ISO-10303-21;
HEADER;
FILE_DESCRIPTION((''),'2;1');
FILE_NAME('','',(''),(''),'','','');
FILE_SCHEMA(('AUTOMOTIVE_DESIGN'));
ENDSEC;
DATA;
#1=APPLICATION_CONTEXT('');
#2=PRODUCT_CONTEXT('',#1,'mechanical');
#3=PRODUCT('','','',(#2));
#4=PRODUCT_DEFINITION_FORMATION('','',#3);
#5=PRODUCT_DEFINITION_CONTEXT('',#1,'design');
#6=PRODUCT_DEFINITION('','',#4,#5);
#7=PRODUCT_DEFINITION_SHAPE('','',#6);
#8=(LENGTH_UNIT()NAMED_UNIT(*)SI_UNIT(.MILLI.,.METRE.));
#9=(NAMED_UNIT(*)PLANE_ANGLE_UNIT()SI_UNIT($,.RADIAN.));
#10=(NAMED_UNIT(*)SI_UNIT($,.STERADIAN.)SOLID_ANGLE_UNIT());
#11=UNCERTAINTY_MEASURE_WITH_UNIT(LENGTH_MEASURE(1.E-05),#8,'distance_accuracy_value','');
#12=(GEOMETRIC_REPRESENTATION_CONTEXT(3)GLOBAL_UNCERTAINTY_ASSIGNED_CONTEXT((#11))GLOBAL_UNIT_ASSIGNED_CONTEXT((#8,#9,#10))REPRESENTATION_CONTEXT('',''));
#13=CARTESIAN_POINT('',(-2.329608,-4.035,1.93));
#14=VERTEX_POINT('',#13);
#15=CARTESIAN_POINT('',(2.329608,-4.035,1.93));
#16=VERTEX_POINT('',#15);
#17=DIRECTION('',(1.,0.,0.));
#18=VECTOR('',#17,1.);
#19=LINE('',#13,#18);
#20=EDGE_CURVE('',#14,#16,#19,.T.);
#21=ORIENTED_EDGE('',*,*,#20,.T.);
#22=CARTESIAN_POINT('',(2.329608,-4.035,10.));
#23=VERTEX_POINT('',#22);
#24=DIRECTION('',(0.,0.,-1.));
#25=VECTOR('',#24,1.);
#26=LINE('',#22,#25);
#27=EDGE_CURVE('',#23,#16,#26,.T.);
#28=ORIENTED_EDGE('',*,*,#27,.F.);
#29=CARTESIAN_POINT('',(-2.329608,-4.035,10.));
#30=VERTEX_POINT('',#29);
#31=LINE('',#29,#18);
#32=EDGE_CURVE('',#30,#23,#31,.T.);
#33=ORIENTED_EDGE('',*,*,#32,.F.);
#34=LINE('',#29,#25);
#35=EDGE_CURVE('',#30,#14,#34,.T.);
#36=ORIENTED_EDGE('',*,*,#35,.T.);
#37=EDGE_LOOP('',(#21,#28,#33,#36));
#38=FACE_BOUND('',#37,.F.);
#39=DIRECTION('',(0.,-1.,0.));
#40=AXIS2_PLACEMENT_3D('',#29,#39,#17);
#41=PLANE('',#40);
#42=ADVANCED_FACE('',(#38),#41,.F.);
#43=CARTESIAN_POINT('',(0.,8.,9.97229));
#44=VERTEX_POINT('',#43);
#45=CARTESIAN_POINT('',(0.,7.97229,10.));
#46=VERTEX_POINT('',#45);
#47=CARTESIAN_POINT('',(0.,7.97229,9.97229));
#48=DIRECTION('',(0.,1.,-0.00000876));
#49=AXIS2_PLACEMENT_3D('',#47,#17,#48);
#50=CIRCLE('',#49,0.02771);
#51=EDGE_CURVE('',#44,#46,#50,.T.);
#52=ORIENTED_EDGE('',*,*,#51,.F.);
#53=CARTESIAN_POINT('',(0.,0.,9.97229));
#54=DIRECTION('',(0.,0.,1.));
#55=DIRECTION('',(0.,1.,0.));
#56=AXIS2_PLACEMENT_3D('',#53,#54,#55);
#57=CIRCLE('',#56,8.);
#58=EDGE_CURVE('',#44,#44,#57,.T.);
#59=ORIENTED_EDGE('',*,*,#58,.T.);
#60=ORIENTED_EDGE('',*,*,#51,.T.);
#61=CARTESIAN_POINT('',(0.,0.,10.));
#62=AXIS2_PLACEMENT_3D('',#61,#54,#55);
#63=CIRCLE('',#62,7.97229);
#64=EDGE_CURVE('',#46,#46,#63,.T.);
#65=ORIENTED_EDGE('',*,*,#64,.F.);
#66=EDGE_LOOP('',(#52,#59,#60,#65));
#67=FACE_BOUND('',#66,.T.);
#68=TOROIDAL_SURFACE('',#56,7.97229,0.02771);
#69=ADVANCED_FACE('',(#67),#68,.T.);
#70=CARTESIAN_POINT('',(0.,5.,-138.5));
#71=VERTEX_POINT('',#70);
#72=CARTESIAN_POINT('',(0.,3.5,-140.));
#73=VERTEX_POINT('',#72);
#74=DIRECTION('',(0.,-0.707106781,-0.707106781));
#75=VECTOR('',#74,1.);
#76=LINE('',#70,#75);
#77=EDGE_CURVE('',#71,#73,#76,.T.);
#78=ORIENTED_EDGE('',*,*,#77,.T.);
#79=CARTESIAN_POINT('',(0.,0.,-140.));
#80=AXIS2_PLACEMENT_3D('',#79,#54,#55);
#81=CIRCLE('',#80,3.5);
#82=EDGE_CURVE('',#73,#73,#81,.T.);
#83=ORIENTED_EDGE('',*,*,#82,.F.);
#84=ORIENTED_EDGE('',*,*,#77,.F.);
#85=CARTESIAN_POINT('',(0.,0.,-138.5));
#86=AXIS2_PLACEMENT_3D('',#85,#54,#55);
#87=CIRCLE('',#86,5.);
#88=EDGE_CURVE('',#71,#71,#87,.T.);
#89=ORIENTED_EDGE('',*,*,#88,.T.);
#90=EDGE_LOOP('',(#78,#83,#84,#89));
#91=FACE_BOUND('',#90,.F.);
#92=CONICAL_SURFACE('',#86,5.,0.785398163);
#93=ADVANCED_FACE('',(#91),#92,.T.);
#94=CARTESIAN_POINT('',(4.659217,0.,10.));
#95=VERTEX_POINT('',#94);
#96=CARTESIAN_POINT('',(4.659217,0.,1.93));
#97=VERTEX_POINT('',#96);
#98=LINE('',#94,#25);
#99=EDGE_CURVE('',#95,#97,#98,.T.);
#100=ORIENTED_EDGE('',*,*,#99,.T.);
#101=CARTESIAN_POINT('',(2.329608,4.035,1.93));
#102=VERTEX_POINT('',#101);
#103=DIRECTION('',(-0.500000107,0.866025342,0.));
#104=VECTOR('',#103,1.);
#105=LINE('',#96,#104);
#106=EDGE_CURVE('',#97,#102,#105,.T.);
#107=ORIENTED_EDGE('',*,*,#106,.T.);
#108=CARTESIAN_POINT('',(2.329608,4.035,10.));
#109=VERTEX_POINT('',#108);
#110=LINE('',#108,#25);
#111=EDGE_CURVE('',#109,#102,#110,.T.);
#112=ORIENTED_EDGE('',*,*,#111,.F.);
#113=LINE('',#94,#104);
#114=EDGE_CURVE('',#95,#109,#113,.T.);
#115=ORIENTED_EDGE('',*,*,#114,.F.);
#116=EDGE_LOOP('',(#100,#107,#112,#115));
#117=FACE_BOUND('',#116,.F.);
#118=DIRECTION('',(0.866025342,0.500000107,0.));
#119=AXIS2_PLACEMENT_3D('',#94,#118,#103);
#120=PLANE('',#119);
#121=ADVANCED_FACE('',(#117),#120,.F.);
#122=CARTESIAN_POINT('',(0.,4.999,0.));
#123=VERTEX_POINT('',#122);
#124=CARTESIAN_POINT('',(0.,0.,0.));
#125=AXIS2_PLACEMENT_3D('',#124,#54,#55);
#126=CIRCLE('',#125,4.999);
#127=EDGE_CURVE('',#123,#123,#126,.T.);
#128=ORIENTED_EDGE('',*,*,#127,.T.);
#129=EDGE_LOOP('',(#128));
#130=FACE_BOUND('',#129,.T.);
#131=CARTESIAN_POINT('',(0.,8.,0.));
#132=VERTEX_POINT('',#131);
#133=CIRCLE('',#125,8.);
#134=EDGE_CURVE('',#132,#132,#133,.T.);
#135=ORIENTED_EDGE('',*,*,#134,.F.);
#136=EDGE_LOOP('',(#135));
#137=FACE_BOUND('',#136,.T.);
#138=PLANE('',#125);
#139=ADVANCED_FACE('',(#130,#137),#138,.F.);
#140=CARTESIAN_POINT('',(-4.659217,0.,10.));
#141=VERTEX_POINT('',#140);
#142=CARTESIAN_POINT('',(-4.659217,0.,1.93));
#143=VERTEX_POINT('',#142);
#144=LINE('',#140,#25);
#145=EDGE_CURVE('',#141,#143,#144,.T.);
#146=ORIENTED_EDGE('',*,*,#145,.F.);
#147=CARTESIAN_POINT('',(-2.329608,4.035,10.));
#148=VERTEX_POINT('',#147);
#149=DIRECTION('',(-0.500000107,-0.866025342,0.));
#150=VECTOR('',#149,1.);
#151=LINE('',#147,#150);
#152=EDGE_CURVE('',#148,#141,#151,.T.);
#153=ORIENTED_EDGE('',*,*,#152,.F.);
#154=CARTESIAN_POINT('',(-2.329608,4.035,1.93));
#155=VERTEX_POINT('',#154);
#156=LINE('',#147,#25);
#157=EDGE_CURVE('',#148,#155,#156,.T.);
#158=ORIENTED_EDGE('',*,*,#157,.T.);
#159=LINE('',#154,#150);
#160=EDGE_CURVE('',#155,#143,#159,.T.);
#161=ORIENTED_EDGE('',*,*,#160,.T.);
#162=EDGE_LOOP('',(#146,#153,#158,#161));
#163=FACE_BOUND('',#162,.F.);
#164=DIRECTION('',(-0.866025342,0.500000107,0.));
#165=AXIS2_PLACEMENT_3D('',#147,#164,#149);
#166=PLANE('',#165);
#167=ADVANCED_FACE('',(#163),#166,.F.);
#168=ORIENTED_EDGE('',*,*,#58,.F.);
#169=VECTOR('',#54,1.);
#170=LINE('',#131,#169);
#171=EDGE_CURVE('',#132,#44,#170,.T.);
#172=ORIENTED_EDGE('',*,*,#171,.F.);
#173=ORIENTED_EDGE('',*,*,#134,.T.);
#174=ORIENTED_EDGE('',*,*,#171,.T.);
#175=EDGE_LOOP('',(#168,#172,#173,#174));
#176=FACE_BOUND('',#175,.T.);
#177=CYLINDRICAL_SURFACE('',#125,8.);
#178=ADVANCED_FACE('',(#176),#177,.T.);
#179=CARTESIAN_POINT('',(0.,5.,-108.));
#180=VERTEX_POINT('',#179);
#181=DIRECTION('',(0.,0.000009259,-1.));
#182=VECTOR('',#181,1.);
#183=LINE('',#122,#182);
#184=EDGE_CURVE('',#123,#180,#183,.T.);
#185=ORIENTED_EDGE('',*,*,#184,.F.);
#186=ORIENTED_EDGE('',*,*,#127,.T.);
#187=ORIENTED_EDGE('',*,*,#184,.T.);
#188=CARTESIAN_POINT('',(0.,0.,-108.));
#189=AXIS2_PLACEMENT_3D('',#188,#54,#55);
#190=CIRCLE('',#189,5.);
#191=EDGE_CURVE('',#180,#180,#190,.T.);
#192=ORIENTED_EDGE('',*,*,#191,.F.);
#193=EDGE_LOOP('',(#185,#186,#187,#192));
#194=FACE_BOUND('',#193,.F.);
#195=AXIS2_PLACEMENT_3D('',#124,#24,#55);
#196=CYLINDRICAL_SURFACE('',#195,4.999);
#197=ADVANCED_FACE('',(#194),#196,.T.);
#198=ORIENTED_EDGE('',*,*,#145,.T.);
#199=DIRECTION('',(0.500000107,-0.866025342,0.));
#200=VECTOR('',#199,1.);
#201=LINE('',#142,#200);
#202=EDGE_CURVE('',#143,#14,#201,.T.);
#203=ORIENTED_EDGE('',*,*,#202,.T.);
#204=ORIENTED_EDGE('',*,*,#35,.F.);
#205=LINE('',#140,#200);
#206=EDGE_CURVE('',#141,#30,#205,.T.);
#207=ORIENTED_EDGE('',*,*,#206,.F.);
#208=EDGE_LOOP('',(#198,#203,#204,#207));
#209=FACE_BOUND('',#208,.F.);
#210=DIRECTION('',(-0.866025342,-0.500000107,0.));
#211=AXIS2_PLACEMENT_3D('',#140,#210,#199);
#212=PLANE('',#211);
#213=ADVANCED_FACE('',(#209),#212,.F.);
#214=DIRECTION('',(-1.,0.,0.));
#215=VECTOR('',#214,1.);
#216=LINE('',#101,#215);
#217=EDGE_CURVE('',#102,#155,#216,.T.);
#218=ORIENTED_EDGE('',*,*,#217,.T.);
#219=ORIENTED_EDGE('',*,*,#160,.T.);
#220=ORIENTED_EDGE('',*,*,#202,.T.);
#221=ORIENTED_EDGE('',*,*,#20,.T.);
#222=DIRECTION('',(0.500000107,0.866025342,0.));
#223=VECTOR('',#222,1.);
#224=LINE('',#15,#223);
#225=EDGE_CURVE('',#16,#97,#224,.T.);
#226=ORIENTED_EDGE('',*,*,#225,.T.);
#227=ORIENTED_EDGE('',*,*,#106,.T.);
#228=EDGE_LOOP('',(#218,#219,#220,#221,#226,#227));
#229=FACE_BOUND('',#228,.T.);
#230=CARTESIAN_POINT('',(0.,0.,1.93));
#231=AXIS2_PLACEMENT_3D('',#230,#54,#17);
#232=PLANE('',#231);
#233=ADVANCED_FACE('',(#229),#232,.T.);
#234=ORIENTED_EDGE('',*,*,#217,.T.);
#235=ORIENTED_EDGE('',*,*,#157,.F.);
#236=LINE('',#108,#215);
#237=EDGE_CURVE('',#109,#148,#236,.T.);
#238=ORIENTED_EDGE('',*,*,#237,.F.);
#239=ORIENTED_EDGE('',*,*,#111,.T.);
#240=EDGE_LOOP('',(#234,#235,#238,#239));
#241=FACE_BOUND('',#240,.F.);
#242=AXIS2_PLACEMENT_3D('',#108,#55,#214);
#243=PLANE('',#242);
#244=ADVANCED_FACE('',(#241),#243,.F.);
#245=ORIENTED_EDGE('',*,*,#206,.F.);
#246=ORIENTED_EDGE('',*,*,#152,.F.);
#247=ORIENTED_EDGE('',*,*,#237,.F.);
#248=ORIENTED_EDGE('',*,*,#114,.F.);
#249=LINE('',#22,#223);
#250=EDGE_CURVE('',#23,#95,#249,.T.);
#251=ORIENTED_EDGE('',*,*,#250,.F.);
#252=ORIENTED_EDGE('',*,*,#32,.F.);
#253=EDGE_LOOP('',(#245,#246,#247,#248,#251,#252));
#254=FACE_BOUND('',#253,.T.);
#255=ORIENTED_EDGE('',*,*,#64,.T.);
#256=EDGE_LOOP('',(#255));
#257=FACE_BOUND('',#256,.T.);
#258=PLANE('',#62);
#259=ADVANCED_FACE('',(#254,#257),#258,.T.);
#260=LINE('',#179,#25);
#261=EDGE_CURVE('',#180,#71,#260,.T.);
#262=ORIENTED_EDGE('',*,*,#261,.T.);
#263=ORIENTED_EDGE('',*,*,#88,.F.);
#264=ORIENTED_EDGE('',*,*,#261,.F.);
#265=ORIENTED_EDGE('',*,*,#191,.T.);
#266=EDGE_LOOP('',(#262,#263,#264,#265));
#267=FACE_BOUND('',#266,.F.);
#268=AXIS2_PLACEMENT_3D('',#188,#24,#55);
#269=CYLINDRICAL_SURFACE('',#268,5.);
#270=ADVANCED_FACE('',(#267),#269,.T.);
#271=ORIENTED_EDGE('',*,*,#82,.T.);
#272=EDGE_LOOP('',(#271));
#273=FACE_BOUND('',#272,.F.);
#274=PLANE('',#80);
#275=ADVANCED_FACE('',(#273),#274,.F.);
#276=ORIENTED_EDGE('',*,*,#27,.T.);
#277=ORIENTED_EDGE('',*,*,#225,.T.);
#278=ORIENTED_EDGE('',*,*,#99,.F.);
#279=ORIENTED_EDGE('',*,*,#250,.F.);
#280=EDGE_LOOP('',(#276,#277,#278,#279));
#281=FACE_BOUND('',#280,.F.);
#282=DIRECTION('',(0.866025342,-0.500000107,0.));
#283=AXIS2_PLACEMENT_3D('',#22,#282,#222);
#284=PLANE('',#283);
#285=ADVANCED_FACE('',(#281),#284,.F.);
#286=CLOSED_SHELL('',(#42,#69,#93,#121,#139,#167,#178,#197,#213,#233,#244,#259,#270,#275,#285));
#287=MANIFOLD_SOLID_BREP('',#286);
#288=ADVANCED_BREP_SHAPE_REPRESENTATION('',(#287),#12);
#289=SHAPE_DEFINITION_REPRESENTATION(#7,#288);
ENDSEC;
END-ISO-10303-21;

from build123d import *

# Parameters (mm, degrees)
POCKET_DEPTH = 8.07


with BuildPart() as part:
    # Sketch → Revolve (revolve)
    with BuildSketch(Plane.YZ):
        with BuildLine():
            Line((4.999, 0), (8, 0))
            Line((8, 0), (8, 9.97229))
            ThreePointArc((8, 9.97229), (7.991884, 9.991884), (7.97229, 10))
            Line((7.97229, 10), (0, 10))
            Line((0, -140), (0, 10))
            Line((3.5, -140), (0, -140))
            Line((5, -138.5), (3.5, -140))
            Line((5, -108), (5, -138.5))
            Line((4.999, 0), (5, -108))
        make_face()
    revolve(axis=Axis((0, 0, 0), (0, 0, 1)))

    # Sketch001 → Pocket (cut)
    with BuildSketch(Plane.XY.offset(10)):
        Polygon((4.659217, 0), (2.329608, 4.035), (-2.329608, 4.035), (-4.659217, 0), (-2.329608, -4.035), (2.329608, -4.035), align=None)
    extrude(amount=-POCKET_DEPTH, mode=Mode.SUBTRACT)


solid = part.part
